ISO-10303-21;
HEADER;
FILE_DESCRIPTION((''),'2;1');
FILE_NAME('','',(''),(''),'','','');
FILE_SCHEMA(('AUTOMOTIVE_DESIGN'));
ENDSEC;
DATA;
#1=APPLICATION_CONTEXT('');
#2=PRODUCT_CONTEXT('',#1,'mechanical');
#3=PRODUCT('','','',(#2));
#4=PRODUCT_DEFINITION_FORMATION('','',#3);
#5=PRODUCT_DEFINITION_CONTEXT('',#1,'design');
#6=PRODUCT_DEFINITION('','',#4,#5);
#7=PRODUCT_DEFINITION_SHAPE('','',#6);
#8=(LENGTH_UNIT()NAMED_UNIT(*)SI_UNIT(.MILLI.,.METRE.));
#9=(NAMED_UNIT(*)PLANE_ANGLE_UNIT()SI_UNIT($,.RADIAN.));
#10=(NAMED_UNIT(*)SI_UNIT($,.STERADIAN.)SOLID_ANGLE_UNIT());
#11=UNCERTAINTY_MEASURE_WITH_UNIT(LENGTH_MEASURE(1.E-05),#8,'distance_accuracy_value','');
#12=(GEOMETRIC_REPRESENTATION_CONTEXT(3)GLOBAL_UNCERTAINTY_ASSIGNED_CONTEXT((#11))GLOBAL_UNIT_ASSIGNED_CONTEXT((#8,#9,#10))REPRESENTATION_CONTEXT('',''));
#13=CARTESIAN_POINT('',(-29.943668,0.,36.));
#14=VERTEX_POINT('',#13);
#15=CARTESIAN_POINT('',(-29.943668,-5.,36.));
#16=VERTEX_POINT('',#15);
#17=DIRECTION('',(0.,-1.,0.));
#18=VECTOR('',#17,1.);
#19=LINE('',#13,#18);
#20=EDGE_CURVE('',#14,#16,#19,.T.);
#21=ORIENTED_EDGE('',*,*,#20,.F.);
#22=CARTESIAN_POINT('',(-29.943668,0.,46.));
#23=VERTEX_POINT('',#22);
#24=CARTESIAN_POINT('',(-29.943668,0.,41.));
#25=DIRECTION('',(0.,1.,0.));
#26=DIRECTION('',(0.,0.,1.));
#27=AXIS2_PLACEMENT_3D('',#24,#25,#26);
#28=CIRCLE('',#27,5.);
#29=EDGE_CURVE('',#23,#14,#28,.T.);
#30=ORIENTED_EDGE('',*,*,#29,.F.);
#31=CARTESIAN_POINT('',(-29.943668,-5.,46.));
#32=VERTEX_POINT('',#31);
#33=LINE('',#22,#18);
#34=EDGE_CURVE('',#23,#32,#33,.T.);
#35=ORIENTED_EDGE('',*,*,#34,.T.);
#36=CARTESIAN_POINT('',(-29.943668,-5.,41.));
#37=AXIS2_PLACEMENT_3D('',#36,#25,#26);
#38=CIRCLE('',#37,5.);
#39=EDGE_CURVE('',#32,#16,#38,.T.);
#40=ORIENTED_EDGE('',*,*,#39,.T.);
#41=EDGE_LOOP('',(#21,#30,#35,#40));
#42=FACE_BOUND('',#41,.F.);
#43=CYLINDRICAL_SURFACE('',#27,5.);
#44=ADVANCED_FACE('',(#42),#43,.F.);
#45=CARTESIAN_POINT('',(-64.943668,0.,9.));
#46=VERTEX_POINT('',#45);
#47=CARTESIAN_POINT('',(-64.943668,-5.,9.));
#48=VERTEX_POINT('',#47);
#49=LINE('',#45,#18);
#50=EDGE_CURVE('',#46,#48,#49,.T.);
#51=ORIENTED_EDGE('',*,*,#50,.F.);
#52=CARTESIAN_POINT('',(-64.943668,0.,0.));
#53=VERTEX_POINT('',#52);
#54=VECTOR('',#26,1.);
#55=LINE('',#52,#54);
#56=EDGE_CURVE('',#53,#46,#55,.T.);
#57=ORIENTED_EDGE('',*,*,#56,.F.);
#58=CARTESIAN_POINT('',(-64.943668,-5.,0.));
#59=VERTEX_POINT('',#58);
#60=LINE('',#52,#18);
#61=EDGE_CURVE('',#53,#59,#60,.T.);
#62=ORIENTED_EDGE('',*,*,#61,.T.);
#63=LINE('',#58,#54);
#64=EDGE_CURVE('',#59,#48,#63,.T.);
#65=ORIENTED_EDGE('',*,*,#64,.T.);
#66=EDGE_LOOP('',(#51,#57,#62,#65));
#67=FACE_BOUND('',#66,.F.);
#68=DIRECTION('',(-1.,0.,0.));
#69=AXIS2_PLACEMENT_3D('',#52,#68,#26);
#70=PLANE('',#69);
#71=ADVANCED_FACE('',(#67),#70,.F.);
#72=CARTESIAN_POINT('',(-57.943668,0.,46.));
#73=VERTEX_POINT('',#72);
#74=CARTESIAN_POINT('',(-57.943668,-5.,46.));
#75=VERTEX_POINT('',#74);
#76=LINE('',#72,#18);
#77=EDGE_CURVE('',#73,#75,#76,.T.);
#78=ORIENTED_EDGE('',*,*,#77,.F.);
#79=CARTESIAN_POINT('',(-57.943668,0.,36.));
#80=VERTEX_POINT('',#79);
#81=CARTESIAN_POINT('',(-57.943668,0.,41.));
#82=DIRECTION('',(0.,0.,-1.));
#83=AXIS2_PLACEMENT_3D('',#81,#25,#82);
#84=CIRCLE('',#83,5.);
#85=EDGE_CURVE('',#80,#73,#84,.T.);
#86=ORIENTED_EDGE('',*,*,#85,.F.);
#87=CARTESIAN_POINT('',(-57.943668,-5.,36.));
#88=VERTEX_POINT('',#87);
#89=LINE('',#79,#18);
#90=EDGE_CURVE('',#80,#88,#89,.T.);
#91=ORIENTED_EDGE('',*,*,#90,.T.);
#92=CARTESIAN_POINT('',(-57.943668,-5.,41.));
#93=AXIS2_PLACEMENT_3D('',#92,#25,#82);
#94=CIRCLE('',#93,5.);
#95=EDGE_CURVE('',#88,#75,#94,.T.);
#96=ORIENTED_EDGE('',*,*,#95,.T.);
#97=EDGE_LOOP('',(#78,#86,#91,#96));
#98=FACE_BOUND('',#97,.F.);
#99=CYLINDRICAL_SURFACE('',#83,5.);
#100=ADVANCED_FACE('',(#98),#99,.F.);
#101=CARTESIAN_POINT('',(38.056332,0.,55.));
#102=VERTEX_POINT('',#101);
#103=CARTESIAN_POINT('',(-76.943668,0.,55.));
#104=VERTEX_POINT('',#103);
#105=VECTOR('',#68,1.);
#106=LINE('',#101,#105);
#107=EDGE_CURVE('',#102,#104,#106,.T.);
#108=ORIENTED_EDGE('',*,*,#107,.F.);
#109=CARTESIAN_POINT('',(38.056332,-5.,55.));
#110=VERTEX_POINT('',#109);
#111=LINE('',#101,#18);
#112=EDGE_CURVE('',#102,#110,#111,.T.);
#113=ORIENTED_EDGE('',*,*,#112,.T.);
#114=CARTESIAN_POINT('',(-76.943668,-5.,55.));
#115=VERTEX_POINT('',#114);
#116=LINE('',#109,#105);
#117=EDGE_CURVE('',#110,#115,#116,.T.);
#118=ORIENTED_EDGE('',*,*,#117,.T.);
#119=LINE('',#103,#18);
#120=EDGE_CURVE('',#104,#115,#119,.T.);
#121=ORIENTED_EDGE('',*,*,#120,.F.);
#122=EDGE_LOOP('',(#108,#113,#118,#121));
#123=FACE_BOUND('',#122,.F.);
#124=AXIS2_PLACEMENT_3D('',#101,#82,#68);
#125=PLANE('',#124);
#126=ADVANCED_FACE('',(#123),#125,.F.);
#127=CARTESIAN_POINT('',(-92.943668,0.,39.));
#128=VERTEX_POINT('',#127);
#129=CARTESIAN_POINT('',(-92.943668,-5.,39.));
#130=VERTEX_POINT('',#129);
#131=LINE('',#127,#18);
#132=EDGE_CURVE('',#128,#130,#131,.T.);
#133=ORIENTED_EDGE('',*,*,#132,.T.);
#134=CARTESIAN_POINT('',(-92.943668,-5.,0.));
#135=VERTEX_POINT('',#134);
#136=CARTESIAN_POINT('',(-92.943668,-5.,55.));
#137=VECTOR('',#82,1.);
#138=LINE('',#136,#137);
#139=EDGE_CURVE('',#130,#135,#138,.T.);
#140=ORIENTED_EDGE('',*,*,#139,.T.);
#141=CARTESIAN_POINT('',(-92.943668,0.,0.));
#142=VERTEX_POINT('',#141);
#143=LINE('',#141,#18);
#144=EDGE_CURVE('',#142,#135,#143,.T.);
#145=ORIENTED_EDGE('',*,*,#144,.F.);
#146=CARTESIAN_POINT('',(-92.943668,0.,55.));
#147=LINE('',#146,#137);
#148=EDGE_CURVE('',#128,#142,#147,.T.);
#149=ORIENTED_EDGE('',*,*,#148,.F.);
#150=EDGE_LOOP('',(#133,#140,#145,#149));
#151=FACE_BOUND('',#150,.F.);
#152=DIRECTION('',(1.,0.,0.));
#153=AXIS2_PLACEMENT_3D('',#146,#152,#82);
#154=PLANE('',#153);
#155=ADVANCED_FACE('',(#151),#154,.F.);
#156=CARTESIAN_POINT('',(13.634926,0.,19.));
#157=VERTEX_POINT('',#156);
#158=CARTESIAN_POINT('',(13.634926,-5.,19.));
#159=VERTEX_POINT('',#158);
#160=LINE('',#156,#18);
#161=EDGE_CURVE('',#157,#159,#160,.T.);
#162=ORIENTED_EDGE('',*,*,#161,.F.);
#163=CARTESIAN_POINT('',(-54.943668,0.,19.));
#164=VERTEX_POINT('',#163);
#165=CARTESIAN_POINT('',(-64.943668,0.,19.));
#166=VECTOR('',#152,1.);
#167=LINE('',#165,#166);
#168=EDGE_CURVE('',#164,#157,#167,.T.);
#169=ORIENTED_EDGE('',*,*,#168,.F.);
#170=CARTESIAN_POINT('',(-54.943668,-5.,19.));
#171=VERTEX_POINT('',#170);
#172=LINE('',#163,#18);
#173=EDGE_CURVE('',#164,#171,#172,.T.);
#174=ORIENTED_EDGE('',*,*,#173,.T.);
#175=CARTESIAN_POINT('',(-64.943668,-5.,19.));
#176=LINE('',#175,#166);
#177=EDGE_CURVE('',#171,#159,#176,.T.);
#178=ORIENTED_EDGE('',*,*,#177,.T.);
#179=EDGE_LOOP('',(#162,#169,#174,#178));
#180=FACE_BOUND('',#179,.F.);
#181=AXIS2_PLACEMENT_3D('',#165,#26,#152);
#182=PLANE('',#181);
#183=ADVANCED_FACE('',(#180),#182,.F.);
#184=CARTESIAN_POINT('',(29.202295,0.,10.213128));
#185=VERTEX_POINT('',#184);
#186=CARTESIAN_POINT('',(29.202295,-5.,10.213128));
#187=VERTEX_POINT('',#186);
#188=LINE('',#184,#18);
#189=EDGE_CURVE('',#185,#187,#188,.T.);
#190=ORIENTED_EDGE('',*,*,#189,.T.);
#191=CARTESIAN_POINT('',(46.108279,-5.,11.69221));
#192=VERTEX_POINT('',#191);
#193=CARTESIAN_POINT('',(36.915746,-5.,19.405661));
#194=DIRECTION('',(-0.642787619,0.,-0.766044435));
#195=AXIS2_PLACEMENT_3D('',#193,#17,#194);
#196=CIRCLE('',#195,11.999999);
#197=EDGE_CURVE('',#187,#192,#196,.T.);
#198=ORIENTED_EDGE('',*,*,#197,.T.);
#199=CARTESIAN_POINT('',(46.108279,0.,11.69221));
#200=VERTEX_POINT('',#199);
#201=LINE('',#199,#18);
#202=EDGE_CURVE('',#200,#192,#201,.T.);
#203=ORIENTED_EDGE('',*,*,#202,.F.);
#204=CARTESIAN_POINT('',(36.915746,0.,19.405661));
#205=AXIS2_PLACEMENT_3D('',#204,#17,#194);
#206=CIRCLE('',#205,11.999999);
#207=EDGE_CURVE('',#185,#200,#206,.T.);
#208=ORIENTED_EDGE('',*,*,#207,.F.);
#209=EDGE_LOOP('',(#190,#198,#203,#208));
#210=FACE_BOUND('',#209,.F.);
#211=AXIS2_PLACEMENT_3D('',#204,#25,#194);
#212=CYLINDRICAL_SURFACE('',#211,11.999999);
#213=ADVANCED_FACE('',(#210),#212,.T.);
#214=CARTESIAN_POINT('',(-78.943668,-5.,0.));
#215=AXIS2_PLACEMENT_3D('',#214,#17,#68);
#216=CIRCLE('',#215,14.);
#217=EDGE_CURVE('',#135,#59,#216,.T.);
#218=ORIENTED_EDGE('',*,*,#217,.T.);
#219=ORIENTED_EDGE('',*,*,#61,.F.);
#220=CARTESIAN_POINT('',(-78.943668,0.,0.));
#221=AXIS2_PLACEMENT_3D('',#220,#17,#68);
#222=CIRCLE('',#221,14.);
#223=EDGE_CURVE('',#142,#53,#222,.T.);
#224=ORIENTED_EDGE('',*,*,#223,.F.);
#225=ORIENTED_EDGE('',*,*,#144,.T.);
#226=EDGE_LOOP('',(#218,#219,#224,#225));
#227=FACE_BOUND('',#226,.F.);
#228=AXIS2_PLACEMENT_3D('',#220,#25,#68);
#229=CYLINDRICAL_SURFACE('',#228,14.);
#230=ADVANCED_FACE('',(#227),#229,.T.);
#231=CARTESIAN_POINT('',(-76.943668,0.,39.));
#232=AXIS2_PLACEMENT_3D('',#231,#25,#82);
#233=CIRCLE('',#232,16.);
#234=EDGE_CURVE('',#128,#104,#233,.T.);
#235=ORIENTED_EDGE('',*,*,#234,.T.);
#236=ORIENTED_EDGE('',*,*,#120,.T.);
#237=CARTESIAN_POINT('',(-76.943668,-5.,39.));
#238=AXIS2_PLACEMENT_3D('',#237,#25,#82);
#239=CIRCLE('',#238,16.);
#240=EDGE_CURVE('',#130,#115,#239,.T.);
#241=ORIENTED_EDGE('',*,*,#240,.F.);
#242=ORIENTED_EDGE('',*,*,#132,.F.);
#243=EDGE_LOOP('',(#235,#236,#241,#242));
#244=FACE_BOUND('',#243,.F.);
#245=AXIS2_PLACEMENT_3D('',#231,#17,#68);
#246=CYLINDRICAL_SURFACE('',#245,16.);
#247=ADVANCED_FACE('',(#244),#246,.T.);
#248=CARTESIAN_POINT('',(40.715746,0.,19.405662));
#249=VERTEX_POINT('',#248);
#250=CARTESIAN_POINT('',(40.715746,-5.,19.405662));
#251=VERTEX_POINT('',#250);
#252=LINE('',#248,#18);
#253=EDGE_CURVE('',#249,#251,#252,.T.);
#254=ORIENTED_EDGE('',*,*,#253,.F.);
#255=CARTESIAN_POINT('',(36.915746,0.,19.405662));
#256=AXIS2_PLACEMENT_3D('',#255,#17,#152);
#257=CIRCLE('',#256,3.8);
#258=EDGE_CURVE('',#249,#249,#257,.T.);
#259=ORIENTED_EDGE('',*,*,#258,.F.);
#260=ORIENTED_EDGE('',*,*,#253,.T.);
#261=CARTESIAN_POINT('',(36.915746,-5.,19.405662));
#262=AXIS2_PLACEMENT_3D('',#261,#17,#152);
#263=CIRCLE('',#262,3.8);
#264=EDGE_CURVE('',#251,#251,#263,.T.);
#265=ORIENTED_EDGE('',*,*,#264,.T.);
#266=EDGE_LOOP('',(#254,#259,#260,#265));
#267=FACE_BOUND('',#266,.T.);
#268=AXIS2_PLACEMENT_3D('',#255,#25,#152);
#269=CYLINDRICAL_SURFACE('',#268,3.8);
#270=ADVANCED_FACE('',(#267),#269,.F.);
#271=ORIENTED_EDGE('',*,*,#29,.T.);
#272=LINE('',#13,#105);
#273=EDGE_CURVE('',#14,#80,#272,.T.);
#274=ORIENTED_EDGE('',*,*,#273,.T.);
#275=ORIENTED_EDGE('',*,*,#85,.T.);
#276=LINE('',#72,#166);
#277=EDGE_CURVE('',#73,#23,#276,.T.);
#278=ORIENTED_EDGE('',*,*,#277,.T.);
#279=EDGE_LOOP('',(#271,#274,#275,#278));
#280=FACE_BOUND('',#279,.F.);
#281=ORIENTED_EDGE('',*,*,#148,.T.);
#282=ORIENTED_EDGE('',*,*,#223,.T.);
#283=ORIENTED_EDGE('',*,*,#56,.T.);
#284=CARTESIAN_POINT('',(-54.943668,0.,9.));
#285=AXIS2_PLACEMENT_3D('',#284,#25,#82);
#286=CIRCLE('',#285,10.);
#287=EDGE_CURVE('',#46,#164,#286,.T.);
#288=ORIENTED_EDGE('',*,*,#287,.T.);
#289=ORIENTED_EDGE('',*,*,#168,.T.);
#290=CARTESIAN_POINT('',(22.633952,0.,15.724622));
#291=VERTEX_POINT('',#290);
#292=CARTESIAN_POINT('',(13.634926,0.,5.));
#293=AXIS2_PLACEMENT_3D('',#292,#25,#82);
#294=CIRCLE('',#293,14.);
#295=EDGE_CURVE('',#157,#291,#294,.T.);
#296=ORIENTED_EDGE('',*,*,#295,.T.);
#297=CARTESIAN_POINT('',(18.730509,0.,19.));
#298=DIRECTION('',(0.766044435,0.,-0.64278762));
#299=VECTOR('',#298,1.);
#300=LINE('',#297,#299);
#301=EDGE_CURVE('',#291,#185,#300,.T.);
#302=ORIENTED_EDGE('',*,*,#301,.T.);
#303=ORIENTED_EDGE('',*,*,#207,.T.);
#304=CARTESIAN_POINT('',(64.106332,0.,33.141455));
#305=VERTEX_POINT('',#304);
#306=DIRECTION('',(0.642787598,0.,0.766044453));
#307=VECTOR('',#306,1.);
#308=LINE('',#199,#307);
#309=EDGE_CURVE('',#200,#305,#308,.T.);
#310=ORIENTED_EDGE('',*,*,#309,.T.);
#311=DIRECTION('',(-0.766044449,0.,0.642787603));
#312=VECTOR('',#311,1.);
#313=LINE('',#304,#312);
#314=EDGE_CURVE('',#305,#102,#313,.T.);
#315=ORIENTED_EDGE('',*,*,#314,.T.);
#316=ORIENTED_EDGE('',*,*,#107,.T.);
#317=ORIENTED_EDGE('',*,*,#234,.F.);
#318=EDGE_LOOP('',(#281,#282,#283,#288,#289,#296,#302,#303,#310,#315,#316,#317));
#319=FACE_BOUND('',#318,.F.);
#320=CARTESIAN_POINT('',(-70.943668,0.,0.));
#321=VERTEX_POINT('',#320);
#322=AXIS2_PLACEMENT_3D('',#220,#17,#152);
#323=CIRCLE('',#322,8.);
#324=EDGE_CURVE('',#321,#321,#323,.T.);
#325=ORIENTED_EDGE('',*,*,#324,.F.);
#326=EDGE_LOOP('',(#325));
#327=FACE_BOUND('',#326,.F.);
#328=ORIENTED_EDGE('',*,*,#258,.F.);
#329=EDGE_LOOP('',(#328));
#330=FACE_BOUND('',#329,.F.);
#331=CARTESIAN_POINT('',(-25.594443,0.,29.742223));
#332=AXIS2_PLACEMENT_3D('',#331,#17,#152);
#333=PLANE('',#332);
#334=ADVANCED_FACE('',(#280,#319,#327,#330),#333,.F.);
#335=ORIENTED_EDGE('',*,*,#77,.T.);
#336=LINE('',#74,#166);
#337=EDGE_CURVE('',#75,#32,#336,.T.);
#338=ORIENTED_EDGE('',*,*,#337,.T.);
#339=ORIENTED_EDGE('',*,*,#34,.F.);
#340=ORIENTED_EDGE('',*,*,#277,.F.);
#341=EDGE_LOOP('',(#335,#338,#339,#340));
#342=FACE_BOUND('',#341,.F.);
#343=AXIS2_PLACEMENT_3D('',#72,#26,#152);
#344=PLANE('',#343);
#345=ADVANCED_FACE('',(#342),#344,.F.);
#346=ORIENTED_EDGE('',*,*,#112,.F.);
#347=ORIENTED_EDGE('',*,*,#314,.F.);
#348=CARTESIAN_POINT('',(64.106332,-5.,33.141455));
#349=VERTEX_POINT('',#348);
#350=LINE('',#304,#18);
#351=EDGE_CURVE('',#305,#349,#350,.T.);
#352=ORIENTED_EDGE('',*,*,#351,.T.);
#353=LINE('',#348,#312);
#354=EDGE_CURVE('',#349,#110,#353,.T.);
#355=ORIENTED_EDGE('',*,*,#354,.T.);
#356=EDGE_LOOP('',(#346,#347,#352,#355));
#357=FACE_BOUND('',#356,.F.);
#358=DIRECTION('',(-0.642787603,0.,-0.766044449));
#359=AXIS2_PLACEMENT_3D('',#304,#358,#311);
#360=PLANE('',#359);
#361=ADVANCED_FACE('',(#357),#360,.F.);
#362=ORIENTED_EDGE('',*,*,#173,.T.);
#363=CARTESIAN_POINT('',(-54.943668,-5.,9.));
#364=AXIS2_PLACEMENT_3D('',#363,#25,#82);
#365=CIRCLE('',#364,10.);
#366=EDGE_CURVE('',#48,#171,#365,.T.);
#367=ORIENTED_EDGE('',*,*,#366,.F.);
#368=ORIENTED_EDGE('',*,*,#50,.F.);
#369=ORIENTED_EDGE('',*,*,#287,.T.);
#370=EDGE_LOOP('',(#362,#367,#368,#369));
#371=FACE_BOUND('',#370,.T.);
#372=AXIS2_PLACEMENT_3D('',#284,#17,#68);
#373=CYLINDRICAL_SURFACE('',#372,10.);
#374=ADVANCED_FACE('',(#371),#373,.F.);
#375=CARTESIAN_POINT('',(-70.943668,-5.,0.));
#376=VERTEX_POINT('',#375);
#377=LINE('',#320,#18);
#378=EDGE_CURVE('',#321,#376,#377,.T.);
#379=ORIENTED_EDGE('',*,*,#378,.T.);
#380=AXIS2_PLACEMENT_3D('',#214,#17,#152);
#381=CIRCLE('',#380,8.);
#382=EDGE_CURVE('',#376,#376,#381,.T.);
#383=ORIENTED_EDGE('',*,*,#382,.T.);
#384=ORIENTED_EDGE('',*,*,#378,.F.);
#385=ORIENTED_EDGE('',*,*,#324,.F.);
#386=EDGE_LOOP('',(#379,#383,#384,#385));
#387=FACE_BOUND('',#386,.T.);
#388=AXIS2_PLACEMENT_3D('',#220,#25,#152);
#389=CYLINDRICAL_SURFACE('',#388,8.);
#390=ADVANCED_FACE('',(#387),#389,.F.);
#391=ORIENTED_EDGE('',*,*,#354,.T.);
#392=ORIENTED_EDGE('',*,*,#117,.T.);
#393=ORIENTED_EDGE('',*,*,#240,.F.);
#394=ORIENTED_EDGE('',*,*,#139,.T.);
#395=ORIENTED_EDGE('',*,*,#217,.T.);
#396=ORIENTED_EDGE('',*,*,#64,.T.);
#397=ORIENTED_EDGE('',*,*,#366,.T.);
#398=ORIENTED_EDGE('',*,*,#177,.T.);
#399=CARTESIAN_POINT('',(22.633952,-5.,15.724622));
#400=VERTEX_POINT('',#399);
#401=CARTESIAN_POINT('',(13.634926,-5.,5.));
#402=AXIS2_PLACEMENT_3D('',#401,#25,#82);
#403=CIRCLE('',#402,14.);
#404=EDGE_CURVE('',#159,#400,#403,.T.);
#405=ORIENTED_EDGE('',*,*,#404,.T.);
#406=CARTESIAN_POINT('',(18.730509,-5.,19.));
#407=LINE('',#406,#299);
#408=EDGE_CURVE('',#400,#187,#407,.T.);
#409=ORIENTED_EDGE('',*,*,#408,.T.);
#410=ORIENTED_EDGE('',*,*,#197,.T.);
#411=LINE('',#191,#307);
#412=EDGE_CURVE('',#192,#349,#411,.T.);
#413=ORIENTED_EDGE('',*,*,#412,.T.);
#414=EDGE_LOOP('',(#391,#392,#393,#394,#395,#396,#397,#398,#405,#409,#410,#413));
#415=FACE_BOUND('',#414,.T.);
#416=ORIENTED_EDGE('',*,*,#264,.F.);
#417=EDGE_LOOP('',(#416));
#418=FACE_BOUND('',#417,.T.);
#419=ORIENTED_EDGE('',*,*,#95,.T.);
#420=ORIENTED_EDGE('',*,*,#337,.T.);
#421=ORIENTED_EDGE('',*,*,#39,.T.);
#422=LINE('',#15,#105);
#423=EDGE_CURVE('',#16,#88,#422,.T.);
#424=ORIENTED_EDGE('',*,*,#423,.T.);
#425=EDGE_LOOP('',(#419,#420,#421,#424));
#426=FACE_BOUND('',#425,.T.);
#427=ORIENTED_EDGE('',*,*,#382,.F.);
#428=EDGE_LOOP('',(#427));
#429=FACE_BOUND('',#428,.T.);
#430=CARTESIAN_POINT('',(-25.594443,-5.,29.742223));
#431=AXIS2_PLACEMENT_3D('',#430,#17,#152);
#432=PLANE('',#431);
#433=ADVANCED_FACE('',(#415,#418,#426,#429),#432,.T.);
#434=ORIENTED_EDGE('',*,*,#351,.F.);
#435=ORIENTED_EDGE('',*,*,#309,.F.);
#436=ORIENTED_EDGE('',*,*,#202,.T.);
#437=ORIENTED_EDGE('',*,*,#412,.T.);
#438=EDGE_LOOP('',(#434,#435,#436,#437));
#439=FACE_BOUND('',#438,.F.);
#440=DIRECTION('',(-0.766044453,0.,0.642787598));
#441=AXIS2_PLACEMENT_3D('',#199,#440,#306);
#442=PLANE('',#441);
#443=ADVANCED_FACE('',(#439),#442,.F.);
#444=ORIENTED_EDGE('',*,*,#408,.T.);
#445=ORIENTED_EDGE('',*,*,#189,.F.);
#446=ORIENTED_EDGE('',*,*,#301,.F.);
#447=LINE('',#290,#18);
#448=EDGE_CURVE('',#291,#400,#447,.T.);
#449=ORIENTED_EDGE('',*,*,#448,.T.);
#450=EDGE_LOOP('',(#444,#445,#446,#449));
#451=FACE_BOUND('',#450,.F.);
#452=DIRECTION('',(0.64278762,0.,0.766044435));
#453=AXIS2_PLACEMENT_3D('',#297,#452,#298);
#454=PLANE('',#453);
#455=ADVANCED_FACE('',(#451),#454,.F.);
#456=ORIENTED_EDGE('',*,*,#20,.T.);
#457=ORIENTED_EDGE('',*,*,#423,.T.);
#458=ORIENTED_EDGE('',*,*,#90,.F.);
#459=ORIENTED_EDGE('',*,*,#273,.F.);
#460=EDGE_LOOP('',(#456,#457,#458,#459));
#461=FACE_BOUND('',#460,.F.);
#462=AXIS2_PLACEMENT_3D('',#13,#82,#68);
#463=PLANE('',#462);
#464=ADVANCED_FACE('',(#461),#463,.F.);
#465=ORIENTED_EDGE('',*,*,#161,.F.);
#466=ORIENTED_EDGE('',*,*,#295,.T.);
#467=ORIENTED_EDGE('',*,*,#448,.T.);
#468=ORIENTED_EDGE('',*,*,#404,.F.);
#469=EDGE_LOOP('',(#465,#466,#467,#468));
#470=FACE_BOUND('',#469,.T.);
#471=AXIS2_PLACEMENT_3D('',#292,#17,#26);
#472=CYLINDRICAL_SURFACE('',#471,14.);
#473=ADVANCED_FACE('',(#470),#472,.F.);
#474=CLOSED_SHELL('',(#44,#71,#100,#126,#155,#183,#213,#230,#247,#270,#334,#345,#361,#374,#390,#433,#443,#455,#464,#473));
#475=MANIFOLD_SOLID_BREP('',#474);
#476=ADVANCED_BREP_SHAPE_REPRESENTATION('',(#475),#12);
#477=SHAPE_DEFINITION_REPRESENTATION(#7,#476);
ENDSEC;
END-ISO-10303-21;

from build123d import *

# Parameters (mm, degrees)
F0_R     = 8
F0_R_2   = 3.8
F1_DEPTH = 5
F2_R     = 10
F3_R     = 14
F4_R     = 16


with BuildPart() as f1:
    # F0 (on Front) → F1 (new body)
    with BuildSketch(Plane.XZ):
        with BuildLine():
            Line((38.056332, 55), (-92.943668, 55))
            Line((-92.943668, 55), (-92.943668, 0))
            ThreePointArc((-92.943668, 0), (-78.943668, -14), (-64.943668, 0))
            Line((-64.943668, 0), (-64.943668, 19))
            Line((-64.943668, 19), (18.730509, 19))
            Line((18.730509, 19), (29.202295, 10.213128))
            ThreePointArc((29.202295, 10.213128), (37.961615, 7.451325), (46.108279, 11.69221))
            Line((46.108279, 11.69221), (64.106332, 33.141455))
            Line((64.106332, 33.141455), (38.056332, 55))
        make_face()
        with Locations((-78.943668, 0)):
            Circle(F0_R, mode=Mode.SUBTRACT)
        with Locations((36.915746, 19.405662)):
            Circle(F0_R_2, mode=Mode.SUBTRACT)
        with BuildLine():
            ThreePointArc((-57.943668, 36), (-62.943668, 41), (-57.943668, 46))
            Line((-57.943668, 46), (-29.943668, 46))
            ThreePointArc((-29.943668, 46), (-24.943668, 41), (-29.943668, 36))
            Line((-29.943668, 36), (-57.943668, 36))
        make_face(mode=Mode.SUBTRACT)
    extrude(amount=F1_DEPTH)

    # F2
    f2_edges = [f1.edges().sort_by_distance(p)[0] for p in [
        (-64.943668, -2.5, 19),
    ]]
    fillet(f2_edges, radius=F2_R)

    # F3
    f3_edges = [f1.edges().sort_by_distance(p)[0] for p in [
        (18.730509, -2.5, 19),
    ]]
    fillet(f3_edges, radius=F3_R)

    # F4
    f4_edges = [f1.edges().sort_by_distance(p)[0] for p in [
        (-92.943668, -2.5, 55),
    ]]
    fillet(f4_edges, radius=F4_R)


solid = f1.part
